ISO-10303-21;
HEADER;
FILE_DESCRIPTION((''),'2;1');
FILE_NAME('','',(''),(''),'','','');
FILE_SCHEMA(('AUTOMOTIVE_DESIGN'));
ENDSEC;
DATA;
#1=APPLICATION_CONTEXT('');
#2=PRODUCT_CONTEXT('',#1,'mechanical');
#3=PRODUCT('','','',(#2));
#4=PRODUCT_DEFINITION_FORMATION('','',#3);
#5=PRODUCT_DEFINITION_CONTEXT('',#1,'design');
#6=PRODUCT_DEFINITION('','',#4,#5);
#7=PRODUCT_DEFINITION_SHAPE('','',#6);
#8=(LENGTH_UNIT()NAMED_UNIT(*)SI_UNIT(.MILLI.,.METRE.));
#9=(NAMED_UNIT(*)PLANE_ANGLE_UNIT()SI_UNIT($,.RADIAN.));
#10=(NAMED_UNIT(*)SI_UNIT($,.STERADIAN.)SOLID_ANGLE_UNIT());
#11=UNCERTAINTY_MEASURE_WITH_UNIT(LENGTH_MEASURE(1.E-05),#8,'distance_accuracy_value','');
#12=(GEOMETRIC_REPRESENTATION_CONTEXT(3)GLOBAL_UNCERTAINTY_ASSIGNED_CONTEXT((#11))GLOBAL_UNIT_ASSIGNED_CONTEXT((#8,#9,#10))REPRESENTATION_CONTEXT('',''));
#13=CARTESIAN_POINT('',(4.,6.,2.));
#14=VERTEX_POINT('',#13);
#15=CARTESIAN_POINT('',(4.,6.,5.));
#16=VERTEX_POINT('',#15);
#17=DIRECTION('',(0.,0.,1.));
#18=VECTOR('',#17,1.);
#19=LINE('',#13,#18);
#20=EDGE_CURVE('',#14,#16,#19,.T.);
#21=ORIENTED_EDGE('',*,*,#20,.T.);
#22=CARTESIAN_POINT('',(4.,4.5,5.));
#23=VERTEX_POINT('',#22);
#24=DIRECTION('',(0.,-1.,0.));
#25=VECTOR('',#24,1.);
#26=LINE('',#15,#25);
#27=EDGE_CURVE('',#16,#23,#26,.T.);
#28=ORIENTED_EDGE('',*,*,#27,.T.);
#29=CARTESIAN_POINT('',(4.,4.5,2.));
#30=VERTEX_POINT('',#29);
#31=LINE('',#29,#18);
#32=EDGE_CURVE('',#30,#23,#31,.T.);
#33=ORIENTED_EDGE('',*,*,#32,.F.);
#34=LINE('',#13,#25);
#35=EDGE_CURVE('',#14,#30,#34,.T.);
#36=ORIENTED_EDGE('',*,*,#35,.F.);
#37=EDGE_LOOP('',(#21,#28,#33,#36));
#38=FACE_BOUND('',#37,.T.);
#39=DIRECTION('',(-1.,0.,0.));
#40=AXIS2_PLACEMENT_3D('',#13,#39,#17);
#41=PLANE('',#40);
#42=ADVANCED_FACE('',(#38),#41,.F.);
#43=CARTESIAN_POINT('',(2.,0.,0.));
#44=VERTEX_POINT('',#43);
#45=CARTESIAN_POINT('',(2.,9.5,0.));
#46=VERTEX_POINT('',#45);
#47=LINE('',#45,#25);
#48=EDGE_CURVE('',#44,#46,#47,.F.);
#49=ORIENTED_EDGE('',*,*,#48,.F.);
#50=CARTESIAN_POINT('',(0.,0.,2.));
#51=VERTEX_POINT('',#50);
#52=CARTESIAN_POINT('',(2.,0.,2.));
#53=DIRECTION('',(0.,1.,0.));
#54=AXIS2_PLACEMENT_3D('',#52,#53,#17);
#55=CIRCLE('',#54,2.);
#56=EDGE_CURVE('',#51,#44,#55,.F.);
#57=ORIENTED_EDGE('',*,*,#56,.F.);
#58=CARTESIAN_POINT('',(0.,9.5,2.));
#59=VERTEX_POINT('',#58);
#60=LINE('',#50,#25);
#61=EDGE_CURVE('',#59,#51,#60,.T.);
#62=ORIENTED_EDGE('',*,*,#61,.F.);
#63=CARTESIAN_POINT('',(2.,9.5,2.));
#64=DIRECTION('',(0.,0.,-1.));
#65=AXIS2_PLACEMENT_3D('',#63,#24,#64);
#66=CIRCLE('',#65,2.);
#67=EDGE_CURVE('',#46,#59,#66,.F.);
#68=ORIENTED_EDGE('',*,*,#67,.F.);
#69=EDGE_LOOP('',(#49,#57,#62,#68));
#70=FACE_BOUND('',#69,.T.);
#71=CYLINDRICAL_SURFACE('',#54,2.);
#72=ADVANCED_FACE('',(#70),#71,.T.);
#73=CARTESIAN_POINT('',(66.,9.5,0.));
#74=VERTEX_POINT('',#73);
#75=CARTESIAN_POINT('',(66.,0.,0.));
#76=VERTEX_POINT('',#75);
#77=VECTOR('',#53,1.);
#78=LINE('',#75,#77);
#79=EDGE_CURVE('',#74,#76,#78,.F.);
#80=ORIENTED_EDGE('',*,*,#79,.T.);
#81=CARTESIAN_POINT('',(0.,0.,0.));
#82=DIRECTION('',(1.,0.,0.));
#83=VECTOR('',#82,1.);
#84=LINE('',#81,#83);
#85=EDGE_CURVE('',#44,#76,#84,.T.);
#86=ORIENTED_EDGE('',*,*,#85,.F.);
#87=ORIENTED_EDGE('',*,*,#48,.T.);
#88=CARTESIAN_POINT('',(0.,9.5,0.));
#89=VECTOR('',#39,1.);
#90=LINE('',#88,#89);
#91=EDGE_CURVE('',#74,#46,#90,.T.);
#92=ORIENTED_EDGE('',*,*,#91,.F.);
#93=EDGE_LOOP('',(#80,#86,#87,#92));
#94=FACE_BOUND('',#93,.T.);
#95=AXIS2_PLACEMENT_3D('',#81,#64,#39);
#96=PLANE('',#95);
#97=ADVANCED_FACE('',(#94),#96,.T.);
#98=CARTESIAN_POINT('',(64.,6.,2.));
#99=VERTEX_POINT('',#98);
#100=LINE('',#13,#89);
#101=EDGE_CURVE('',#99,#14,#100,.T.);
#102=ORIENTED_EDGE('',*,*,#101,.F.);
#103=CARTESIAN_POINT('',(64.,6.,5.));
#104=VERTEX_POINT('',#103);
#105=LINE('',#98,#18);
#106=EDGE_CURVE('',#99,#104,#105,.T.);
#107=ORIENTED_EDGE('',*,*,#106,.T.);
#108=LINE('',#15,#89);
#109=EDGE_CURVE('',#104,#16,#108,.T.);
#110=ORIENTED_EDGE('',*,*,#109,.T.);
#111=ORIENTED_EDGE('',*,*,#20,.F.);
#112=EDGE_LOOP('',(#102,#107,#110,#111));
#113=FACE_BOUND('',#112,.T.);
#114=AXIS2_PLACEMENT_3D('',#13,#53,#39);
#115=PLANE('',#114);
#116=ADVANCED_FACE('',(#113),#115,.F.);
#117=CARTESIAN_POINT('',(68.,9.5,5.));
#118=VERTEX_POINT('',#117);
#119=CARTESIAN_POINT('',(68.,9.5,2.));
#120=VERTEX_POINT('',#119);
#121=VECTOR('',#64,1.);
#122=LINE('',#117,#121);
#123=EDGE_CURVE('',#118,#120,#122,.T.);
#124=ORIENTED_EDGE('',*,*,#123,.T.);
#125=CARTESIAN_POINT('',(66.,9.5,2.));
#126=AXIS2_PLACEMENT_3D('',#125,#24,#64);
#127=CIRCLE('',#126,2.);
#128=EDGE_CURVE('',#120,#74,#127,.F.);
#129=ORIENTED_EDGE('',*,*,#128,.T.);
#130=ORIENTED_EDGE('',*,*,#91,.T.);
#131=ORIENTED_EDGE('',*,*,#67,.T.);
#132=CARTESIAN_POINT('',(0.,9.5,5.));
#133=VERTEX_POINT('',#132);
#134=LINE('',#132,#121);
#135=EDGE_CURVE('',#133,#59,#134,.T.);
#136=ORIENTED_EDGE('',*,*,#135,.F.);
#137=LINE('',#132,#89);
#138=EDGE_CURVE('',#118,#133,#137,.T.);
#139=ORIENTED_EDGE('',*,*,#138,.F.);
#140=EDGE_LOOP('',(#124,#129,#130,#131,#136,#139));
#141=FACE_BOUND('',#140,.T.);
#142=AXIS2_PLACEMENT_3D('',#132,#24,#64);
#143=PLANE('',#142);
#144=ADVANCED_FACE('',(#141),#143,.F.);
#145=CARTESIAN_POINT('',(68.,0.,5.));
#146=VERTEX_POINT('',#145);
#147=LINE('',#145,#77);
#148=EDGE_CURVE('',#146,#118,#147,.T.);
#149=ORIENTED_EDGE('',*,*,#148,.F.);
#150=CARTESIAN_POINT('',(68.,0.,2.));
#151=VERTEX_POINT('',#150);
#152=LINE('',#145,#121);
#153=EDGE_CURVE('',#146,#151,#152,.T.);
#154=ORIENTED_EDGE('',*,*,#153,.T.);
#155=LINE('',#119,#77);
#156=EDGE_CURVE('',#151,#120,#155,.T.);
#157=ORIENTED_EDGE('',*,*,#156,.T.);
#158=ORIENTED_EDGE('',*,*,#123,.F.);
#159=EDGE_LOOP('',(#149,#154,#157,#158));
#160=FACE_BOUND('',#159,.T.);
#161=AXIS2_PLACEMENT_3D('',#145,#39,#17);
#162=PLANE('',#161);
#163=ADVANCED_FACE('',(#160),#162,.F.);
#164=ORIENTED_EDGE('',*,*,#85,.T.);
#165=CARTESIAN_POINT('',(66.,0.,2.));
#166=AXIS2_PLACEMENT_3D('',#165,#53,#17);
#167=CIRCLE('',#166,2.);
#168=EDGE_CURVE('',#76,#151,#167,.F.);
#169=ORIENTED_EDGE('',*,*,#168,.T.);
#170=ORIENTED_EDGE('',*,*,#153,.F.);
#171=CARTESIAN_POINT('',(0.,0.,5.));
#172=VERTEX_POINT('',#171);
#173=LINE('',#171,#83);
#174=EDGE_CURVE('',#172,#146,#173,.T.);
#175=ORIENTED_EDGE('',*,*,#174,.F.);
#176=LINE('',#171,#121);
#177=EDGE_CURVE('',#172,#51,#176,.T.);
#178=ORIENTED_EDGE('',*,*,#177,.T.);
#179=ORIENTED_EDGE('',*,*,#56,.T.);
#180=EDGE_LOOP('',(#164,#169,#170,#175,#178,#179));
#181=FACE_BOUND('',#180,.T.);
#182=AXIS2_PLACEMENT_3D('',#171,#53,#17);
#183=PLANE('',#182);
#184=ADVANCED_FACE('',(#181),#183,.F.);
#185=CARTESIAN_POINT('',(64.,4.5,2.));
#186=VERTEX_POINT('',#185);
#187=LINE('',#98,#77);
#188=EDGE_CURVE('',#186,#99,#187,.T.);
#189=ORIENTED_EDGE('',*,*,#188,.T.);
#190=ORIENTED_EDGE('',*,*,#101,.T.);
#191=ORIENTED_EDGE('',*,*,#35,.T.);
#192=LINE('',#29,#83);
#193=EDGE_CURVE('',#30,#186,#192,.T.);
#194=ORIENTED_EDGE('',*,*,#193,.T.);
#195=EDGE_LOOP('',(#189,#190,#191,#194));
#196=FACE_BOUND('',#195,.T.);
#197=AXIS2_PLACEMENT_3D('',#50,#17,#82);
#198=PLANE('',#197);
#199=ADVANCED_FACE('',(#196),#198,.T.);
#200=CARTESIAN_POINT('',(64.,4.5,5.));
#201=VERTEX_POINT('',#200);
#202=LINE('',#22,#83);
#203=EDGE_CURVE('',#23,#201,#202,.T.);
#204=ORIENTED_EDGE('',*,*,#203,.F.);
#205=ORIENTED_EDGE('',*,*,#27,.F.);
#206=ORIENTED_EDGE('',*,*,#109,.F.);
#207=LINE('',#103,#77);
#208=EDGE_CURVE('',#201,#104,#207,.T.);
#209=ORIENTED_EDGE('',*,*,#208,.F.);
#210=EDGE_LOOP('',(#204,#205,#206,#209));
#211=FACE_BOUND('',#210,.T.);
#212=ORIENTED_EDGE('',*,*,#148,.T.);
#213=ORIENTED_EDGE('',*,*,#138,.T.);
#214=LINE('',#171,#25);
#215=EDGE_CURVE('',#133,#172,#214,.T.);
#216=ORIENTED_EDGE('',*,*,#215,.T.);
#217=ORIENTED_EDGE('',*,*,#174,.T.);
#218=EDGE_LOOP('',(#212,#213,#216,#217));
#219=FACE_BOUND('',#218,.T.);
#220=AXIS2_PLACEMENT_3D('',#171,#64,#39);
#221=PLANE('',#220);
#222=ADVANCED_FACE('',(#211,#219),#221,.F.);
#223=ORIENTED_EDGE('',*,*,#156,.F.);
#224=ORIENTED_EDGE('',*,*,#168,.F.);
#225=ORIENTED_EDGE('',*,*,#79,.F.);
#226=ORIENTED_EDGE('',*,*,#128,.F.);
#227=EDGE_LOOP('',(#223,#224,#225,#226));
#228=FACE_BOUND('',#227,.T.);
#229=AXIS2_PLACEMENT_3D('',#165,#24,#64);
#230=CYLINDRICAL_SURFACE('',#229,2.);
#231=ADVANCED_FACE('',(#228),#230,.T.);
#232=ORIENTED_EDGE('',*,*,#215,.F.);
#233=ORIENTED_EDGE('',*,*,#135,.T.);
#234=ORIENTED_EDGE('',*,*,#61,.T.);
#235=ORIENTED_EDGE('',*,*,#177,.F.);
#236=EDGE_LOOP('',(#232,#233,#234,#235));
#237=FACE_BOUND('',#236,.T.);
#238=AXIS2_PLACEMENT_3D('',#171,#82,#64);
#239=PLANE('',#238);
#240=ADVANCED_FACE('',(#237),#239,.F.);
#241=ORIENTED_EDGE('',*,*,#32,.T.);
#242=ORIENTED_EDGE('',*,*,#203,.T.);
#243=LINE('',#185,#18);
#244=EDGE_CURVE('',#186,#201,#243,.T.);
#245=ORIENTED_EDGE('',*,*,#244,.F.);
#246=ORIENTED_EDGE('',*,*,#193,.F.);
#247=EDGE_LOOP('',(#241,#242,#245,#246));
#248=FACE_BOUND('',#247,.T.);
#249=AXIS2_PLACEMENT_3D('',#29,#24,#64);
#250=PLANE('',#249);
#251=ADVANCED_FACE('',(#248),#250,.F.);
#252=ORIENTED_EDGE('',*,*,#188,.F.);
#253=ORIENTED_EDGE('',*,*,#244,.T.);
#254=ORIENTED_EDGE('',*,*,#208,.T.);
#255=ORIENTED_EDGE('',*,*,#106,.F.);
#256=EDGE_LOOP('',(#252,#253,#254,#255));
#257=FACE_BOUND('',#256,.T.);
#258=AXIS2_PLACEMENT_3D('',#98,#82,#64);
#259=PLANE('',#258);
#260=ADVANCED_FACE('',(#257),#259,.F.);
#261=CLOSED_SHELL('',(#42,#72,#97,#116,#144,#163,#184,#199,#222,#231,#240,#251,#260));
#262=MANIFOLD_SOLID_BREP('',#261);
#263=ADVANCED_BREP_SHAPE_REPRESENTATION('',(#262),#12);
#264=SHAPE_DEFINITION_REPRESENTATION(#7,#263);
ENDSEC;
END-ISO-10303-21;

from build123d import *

# Parameters (mm, degrees)
SKETCH1_W           = 68
SKETCH1_H           = 9.5
BOSS_EXTRUDE1_DEPTH = 5
SKETCH2_W           = 60
SKETCH2_H           = 1.5
CUT_EXTRUDE1_DEPTH  = 3
FILLET1_R           = 2


with BuildPart() as part:
    # Sketch1 → Boss-Extrude1 (new body)
    with BuildSketch(Plane.XY):
        with Locations((34, 4.75)):
            Rectangle(SKETCH1_W, SKETCH1_H)
    extrude(amount=BOSS_EXTRUDE1_DEPTH)

    # Sketch2 → Cut-Extrude1 (cut)
    with BuildSketch(Plane.XY.offset(5)):
        with Locations((34, 5.25)):
            Rectangle(SKETCH2_W, SKETCH2_H)
    extrude(amount=-CUT_EXTRUDE1_DEPTH, mode=Mode.SUBTRACT)

    # Fillet1
    fillet1_edges = [part.edges().sort_by_distance(p)[0] for p in [
        (68, 4.75, 0),
        (0, 4.75, 0),
    ]]
    fillet(fillet1_edges, radius=FILLET1_R)


solid = part.part
